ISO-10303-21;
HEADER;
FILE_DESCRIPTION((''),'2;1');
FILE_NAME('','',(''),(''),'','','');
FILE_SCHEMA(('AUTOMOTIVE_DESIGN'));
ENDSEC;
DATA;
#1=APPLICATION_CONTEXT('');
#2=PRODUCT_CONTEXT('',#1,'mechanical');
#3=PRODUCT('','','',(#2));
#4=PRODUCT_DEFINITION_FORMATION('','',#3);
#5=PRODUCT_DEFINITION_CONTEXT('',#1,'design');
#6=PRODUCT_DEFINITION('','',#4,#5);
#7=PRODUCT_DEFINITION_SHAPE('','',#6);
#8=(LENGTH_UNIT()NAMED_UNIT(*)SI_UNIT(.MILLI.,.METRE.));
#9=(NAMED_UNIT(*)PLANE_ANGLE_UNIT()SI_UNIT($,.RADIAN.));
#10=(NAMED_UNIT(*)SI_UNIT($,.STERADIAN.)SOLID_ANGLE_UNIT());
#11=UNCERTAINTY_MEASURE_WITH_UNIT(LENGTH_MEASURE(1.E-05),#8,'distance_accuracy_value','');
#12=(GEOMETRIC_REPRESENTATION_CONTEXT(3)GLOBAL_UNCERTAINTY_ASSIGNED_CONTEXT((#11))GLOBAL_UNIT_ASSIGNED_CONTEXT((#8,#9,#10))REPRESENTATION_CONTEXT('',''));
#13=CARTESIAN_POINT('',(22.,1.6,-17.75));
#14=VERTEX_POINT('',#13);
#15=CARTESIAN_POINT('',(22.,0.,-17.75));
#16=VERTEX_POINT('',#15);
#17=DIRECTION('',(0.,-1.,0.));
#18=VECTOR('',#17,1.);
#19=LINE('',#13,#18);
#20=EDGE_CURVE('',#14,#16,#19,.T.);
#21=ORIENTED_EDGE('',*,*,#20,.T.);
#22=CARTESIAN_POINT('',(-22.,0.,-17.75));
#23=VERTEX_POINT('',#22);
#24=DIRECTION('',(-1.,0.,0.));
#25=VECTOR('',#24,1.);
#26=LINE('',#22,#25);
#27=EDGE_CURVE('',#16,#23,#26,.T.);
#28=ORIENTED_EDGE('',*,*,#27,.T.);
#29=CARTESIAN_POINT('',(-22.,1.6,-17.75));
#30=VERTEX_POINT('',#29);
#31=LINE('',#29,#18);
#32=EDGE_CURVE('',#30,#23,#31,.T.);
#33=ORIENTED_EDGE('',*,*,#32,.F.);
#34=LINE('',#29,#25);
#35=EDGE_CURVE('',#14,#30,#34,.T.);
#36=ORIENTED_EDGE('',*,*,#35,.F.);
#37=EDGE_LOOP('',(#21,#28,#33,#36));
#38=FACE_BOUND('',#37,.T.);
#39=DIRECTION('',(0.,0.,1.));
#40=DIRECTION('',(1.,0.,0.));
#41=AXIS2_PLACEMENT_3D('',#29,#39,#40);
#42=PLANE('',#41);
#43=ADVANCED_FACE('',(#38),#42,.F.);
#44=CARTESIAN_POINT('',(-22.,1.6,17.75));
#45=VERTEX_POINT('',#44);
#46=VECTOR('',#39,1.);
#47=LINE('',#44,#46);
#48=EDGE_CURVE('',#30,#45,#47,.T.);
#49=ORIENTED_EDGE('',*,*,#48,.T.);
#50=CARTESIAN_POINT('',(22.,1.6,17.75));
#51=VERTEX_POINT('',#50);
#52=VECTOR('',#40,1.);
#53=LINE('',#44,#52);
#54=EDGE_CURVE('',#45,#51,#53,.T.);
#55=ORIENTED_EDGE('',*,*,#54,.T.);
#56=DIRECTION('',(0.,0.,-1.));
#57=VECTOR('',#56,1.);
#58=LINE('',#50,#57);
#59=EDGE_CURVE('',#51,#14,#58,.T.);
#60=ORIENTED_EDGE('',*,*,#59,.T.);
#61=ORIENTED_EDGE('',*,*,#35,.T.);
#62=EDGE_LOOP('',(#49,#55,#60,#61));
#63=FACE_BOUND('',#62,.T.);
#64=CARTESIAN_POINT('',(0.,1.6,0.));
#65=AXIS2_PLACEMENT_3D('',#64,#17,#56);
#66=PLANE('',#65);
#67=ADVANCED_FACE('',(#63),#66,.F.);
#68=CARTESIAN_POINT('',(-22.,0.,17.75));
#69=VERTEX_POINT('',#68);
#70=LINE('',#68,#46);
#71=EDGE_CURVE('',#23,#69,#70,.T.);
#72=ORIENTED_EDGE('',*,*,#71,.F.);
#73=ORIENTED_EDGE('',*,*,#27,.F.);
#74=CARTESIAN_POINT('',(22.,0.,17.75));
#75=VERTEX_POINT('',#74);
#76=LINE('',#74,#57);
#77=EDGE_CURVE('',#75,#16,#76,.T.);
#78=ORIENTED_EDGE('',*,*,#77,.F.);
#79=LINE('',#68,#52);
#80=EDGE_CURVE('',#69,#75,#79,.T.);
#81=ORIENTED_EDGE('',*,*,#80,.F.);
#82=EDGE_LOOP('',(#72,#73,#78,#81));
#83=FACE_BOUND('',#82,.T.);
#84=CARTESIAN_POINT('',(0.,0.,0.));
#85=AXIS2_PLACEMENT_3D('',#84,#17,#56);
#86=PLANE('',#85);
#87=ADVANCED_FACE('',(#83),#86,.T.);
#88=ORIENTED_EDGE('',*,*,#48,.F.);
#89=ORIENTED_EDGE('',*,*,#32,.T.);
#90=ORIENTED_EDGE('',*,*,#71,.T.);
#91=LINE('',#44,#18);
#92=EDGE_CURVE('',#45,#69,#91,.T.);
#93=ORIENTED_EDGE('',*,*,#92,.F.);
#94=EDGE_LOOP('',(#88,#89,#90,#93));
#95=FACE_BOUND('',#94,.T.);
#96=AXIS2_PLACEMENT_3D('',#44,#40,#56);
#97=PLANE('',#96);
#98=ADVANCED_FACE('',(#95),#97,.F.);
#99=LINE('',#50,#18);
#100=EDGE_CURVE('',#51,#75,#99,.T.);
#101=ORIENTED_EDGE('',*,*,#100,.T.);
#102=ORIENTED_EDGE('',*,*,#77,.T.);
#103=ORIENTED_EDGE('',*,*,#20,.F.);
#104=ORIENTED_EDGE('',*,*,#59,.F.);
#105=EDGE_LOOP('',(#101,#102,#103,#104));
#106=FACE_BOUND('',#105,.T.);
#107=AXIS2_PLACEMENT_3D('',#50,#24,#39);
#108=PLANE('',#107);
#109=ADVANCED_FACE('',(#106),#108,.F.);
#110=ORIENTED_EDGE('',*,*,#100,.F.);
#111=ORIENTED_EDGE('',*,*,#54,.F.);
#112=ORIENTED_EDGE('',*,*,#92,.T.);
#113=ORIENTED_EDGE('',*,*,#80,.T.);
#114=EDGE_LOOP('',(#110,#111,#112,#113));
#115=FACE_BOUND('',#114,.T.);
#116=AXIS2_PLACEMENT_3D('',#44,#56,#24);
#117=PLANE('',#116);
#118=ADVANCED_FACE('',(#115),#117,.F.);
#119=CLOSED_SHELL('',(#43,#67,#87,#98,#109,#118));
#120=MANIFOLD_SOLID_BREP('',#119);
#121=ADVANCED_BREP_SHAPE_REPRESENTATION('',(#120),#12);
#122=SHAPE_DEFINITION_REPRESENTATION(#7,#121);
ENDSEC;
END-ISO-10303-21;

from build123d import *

# Parameters (mm, degrees)
SKETCH_1_W      = 44
SKETCH_1_H      = 35.5
EXTRUDE_1_DEPTH = 1.6


with BuildPart() as part:
    # 草图1 → 凸台-拉伸1 (new body)
    with BuildSketch(Plane(origin=(0, 0, 0), x_dir=(1, 0, 0), z_dir=(0, 1, 0))):
        Rectangle(SKETCH_1_W, SKETCH_1_H)
    extrude(amount=EXTRUDE_1_DEPTH)


solid = part.part
